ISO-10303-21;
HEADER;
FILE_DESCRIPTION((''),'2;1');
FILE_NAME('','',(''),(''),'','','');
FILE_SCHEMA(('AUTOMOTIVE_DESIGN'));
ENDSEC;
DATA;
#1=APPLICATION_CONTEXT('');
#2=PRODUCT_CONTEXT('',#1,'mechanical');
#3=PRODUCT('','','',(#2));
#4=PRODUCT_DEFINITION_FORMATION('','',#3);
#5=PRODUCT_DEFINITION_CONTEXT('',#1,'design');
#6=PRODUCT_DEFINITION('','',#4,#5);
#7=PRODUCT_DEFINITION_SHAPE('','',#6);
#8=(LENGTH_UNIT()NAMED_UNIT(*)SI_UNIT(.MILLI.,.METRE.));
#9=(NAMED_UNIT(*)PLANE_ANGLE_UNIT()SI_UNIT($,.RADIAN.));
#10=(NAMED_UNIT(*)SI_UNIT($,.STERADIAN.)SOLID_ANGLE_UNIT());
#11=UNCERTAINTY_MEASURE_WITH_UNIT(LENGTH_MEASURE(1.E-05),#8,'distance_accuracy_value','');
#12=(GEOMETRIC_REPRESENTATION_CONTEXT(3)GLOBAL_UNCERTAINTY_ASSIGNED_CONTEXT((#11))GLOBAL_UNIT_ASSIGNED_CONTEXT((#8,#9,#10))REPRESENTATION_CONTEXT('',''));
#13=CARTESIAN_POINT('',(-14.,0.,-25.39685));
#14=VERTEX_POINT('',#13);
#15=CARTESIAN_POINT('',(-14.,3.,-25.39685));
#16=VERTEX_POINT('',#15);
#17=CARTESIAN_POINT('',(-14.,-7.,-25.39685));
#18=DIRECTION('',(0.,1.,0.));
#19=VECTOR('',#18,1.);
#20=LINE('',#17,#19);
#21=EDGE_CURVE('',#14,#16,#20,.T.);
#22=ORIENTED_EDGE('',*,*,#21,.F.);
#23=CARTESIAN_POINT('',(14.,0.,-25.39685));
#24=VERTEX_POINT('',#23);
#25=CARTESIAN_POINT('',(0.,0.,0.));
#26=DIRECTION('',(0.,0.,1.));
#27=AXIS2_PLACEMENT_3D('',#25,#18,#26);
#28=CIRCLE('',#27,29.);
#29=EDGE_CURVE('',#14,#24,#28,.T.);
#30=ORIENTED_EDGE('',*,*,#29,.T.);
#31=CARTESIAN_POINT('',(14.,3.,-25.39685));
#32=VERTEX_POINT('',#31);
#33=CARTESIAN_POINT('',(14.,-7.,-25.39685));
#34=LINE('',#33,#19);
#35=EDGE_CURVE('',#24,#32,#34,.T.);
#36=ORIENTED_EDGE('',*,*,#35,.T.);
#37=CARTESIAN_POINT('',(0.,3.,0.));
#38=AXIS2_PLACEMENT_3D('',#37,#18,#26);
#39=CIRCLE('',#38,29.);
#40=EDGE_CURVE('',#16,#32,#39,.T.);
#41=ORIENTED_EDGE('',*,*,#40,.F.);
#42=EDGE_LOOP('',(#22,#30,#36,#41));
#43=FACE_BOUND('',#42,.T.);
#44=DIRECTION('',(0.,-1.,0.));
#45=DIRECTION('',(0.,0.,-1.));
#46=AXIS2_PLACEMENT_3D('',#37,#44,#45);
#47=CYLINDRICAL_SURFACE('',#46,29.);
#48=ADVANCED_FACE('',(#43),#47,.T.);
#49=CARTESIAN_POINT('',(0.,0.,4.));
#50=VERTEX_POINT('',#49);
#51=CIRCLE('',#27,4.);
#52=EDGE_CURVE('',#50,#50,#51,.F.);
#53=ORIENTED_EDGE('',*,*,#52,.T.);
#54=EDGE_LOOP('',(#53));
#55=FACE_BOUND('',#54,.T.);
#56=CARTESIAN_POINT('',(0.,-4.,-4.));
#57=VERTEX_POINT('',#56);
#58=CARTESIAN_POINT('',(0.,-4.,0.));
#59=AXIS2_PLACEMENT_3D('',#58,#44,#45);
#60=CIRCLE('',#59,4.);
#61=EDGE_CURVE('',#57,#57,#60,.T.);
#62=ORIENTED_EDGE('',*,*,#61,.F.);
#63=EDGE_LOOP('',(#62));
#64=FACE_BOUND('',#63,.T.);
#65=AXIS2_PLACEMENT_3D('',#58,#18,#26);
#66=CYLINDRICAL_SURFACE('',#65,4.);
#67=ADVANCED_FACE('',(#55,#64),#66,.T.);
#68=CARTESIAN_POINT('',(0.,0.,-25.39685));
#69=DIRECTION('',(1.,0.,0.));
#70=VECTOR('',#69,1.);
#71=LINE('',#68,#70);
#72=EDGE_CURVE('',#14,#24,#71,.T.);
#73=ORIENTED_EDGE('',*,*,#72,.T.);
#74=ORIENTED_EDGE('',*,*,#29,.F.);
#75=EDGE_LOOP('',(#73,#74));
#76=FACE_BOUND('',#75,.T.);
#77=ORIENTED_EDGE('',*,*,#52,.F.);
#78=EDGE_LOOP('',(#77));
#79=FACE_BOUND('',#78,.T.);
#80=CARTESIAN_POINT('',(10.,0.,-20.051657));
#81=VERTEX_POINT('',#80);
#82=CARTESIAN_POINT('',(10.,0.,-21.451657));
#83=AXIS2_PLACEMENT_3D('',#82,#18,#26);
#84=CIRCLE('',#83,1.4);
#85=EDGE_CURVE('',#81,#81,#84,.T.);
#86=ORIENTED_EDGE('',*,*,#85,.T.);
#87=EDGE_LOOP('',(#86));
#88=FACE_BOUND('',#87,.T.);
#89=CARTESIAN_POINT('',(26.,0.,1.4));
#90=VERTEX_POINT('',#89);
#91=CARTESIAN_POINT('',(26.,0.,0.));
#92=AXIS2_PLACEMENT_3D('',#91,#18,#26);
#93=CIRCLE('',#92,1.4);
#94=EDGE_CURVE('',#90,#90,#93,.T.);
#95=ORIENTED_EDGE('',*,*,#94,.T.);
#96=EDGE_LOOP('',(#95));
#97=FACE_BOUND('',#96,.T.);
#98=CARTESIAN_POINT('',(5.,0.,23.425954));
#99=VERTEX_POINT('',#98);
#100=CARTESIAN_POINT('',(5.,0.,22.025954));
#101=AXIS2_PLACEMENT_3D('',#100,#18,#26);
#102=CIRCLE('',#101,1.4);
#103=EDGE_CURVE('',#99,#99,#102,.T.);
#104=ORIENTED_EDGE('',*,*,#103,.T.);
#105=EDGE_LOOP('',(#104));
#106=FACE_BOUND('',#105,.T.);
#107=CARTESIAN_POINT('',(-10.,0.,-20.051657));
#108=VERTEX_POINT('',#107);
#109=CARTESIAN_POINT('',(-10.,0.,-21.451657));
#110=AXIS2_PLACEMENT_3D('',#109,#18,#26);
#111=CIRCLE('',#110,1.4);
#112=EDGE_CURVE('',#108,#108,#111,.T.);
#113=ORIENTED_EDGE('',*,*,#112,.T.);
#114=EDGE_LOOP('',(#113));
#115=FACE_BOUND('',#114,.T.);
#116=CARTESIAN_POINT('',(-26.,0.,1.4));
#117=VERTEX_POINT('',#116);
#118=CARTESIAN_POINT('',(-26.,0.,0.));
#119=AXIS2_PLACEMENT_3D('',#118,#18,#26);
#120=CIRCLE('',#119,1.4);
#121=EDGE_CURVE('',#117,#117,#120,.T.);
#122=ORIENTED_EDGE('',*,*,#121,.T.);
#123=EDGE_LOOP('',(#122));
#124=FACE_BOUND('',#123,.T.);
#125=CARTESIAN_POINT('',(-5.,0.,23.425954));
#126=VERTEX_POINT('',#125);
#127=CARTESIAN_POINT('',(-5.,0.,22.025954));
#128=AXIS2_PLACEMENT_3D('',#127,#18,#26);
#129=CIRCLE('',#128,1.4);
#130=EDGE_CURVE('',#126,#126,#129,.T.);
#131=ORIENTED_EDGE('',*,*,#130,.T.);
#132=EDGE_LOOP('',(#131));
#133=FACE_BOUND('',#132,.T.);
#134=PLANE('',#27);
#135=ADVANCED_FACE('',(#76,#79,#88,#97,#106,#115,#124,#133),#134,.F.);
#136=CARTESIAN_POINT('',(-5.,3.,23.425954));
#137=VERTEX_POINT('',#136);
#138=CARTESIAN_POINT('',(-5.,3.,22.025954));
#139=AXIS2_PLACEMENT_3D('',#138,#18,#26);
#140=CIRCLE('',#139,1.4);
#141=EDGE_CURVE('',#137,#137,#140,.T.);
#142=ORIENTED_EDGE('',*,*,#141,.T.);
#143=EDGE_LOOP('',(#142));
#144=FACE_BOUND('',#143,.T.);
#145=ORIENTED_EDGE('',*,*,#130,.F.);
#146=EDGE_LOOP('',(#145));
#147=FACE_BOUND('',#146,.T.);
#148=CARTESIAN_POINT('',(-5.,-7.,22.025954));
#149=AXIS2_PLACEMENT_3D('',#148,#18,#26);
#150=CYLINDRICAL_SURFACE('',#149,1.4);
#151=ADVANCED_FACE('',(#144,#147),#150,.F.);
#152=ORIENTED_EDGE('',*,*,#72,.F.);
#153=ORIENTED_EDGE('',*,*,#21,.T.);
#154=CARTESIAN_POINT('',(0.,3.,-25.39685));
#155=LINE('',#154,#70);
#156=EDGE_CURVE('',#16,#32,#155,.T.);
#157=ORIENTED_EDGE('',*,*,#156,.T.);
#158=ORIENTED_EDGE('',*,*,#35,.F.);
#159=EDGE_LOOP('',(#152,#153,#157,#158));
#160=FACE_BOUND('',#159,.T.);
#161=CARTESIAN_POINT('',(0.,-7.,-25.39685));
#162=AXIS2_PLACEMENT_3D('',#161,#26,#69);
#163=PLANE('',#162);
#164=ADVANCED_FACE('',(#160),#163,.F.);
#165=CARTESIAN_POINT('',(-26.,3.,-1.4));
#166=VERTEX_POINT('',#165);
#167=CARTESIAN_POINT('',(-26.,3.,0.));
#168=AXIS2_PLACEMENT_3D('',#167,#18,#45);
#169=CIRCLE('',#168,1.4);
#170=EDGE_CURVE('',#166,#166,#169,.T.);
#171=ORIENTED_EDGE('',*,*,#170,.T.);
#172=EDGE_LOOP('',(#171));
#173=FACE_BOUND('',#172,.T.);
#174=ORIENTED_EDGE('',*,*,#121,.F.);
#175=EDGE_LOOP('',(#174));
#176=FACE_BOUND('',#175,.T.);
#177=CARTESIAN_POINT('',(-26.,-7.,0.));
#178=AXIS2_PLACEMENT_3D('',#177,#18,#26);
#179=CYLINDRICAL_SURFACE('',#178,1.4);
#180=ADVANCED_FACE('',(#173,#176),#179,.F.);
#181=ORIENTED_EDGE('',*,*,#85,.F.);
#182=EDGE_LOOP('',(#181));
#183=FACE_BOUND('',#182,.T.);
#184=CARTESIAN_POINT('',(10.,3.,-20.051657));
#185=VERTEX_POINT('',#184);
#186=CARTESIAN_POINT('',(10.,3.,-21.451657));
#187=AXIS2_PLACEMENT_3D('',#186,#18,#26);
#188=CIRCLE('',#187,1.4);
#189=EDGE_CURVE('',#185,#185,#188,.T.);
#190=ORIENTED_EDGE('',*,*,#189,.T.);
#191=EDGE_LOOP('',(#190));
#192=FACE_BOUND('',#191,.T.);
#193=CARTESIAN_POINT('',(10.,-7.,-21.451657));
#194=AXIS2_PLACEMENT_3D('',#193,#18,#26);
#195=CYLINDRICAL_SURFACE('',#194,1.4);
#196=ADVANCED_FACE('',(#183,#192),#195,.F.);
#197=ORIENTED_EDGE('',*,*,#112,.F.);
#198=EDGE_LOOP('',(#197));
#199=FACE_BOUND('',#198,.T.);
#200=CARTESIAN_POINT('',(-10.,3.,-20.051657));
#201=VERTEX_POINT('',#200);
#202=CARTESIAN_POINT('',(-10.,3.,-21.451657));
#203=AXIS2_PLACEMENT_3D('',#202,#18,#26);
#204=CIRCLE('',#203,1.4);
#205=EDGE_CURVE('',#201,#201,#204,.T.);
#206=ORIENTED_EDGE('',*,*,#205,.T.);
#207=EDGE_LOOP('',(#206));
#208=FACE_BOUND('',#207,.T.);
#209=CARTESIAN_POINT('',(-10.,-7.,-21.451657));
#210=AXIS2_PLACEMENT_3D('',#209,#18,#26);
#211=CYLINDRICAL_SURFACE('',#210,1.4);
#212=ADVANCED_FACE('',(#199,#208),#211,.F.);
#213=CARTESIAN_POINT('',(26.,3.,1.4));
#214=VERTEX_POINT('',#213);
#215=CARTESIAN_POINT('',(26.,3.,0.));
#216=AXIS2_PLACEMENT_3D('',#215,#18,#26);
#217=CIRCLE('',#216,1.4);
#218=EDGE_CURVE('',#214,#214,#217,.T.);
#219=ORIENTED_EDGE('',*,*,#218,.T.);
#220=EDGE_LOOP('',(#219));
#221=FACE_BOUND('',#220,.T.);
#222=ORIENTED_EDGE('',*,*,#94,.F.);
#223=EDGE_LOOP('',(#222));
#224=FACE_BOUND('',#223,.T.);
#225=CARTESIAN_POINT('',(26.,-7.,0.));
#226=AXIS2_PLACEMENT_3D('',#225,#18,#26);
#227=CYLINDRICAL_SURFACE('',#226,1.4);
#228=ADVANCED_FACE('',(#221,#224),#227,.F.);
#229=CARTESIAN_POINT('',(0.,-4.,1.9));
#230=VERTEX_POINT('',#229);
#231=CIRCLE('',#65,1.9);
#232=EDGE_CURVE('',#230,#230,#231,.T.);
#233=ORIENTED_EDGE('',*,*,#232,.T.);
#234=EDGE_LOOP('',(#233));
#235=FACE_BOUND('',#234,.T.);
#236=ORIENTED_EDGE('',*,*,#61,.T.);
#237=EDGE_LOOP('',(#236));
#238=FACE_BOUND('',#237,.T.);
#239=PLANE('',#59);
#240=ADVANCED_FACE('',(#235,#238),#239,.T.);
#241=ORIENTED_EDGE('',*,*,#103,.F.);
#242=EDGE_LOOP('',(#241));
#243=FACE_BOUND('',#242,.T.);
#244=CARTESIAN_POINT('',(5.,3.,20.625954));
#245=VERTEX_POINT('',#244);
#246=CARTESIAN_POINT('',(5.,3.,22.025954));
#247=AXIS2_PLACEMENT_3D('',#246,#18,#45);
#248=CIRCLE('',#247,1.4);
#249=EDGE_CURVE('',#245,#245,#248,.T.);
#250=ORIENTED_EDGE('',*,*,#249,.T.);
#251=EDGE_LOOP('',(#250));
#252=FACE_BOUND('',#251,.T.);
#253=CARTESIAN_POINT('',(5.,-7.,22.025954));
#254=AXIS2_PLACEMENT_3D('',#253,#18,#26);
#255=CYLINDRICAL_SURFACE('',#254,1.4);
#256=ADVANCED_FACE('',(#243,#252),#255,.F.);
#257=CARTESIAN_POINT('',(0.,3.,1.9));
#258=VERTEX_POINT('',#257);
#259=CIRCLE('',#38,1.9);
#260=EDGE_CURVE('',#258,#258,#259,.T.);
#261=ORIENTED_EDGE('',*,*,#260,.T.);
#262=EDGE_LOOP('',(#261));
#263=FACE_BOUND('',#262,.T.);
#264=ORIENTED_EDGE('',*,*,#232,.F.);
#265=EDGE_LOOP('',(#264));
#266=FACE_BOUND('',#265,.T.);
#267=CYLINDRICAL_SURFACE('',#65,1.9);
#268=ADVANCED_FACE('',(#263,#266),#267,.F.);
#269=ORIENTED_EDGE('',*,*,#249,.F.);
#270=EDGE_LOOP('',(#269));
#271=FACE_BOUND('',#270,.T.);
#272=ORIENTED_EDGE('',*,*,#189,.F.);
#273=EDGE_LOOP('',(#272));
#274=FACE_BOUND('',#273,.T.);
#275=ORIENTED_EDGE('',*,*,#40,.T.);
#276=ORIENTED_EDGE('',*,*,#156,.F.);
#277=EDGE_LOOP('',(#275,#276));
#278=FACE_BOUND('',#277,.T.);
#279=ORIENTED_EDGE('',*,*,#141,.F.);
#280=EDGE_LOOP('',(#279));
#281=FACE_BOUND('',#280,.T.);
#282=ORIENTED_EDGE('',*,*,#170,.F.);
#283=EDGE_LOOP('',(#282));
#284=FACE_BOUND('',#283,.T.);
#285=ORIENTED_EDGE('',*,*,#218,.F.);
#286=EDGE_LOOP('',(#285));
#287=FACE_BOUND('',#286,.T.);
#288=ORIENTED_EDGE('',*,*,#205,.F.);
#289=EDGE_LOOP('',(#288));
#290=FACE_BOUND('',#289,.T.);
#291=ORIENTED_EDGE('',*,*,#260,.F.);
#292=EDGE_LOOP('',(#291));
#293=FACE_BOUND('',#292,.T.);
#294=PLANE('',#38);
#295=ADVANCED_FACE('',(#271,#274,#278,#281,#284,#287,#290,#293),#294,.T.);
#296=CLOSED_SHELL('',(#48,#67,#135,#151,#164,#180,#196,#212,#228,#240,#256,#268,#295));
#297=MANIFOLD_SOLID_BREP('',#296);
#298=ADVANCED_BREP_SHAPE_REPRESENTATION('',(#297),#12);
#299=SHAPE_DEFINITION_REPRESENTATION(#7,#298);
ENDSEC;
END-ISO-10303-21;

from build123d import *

# Parameters (mm, degrees)
SKETCH1_R           = 29
BOSS_EXTRUDE1_DEPTH = 3
SKETCH3_R           = 4
BOSS_EXTRUDE2_DEPTH = 4
SKETCH2_R           = 1.9
CUT_EXTRUDE1_DEPTH  = 42.605288125
SKETCH6_R           = 1.4
CUT_EXTRUDE3_DEPTH  = 10
SKETCH7_R           = 1.4
CUT_EXTRUDE4_DEPTH  = 10
CUT_EXTRUDE5_START  = -10
CUT_EXTRUDE5_DEPTH  = 10
SKETCH4_R           = 1.4
CUT_EXTRUDE7_DEPTH  = 10


with BuildPart() as part:
    # Sketch1 → Boss-Extrude1 (new body)
    with BuildSketch(Plane(origin=(0, 0, 0), x_dir=(1, 0, 0), z_dir=(0, 1, 0))):
        Circle(SKETCH1_R)
    extrude(amount=BOSS_EXTRUDE1_DEPTH)

    # Sketch3 → Boss-Extrude2 (add)
    with BuildSketch(Plane.XZ):
        Circle(SKETCH3_R)
    extrude(amount=BOSS_EXTRUDE2_DEPTH)

    # Sketch2 → Cut-Extrude1 (cut, through all)
    with BuildSketch(Plane(origin=(0, 3, 0), x_dir=(1, 0, 0), z_dir=(0, 1, 0))):
        Circle(SKETCH2_R)
    extrude(amount=-CUT_EXTRUDE1_DEPTH, mode=Mode.SUBTRACT)

    # Sketch6 → Cut-Extrude3 (cut)
    with BuildSketch(Plane(origin=(0, 3, 0), x_dir=(1, 0, 0), z_dir=(0, 1, 0))):
        with Locations((26, 0)):
            Circle(SKETCH6_R)
        with Locations((-26, 0)):
            Circle(SKETCH6_R)
    extrude(amount=-CUT_EXTRUDE3_DEPTH, mode=Mode.SUBTRACT)

    # Sketch7 → Cut-Extrude4 (cut)
    with BuildSketch(Plane(origin=(0, 3, 0), x_dir=(1, 0, 0), z_dir=(0, 1, 0))):
        with Locations((-10, 21.451657064)):
            Circle(SKETCH7_R)
        with Locations((10, 21.451657064)):
            Circle(SKETCH7_R)
    extrude(amount=-CUT_EXTRUDE4_DEPTH, mode=Mode.SUBTRACT)

    # Sketch7<3> → Cut-Extrude5 (cut)
    with BuildSketch(Plane(origin=(0, 3, 0), x_dir=(1, 0, 0), z_dir=(0, 1, 0)).offset(CUT_EXTRUDE5_START)):
        with BuildLine():
            Line((-14, 25.396850198), (14, 25.396850198))
            ThreePointArc((14, 25.396850198), (0, 29), (-14, 25.396850198))
        make_face()
    extrude(amount=CUT_EXTRUDE5_DEPTH, mode=Mode.SUBTRACT)

    # Sketch4 → Cut-Extrude7 (cut)
    with BuildSketch(Plane(origin=(0, 3, 0), x_dir=(1, 0, 0), z_dir=(0, 1, 0))):
        with Locations((-5, -22.025954195)):
            Circle(SKETCH4_R)
        with Locations((5, -22.025954195)):
            Circle(SKETCH4_R)
    extrude(amount=-CUT_EXTRUDE7_DEPTH, mode=Mode.SUBTRACT)


solid = part.part
